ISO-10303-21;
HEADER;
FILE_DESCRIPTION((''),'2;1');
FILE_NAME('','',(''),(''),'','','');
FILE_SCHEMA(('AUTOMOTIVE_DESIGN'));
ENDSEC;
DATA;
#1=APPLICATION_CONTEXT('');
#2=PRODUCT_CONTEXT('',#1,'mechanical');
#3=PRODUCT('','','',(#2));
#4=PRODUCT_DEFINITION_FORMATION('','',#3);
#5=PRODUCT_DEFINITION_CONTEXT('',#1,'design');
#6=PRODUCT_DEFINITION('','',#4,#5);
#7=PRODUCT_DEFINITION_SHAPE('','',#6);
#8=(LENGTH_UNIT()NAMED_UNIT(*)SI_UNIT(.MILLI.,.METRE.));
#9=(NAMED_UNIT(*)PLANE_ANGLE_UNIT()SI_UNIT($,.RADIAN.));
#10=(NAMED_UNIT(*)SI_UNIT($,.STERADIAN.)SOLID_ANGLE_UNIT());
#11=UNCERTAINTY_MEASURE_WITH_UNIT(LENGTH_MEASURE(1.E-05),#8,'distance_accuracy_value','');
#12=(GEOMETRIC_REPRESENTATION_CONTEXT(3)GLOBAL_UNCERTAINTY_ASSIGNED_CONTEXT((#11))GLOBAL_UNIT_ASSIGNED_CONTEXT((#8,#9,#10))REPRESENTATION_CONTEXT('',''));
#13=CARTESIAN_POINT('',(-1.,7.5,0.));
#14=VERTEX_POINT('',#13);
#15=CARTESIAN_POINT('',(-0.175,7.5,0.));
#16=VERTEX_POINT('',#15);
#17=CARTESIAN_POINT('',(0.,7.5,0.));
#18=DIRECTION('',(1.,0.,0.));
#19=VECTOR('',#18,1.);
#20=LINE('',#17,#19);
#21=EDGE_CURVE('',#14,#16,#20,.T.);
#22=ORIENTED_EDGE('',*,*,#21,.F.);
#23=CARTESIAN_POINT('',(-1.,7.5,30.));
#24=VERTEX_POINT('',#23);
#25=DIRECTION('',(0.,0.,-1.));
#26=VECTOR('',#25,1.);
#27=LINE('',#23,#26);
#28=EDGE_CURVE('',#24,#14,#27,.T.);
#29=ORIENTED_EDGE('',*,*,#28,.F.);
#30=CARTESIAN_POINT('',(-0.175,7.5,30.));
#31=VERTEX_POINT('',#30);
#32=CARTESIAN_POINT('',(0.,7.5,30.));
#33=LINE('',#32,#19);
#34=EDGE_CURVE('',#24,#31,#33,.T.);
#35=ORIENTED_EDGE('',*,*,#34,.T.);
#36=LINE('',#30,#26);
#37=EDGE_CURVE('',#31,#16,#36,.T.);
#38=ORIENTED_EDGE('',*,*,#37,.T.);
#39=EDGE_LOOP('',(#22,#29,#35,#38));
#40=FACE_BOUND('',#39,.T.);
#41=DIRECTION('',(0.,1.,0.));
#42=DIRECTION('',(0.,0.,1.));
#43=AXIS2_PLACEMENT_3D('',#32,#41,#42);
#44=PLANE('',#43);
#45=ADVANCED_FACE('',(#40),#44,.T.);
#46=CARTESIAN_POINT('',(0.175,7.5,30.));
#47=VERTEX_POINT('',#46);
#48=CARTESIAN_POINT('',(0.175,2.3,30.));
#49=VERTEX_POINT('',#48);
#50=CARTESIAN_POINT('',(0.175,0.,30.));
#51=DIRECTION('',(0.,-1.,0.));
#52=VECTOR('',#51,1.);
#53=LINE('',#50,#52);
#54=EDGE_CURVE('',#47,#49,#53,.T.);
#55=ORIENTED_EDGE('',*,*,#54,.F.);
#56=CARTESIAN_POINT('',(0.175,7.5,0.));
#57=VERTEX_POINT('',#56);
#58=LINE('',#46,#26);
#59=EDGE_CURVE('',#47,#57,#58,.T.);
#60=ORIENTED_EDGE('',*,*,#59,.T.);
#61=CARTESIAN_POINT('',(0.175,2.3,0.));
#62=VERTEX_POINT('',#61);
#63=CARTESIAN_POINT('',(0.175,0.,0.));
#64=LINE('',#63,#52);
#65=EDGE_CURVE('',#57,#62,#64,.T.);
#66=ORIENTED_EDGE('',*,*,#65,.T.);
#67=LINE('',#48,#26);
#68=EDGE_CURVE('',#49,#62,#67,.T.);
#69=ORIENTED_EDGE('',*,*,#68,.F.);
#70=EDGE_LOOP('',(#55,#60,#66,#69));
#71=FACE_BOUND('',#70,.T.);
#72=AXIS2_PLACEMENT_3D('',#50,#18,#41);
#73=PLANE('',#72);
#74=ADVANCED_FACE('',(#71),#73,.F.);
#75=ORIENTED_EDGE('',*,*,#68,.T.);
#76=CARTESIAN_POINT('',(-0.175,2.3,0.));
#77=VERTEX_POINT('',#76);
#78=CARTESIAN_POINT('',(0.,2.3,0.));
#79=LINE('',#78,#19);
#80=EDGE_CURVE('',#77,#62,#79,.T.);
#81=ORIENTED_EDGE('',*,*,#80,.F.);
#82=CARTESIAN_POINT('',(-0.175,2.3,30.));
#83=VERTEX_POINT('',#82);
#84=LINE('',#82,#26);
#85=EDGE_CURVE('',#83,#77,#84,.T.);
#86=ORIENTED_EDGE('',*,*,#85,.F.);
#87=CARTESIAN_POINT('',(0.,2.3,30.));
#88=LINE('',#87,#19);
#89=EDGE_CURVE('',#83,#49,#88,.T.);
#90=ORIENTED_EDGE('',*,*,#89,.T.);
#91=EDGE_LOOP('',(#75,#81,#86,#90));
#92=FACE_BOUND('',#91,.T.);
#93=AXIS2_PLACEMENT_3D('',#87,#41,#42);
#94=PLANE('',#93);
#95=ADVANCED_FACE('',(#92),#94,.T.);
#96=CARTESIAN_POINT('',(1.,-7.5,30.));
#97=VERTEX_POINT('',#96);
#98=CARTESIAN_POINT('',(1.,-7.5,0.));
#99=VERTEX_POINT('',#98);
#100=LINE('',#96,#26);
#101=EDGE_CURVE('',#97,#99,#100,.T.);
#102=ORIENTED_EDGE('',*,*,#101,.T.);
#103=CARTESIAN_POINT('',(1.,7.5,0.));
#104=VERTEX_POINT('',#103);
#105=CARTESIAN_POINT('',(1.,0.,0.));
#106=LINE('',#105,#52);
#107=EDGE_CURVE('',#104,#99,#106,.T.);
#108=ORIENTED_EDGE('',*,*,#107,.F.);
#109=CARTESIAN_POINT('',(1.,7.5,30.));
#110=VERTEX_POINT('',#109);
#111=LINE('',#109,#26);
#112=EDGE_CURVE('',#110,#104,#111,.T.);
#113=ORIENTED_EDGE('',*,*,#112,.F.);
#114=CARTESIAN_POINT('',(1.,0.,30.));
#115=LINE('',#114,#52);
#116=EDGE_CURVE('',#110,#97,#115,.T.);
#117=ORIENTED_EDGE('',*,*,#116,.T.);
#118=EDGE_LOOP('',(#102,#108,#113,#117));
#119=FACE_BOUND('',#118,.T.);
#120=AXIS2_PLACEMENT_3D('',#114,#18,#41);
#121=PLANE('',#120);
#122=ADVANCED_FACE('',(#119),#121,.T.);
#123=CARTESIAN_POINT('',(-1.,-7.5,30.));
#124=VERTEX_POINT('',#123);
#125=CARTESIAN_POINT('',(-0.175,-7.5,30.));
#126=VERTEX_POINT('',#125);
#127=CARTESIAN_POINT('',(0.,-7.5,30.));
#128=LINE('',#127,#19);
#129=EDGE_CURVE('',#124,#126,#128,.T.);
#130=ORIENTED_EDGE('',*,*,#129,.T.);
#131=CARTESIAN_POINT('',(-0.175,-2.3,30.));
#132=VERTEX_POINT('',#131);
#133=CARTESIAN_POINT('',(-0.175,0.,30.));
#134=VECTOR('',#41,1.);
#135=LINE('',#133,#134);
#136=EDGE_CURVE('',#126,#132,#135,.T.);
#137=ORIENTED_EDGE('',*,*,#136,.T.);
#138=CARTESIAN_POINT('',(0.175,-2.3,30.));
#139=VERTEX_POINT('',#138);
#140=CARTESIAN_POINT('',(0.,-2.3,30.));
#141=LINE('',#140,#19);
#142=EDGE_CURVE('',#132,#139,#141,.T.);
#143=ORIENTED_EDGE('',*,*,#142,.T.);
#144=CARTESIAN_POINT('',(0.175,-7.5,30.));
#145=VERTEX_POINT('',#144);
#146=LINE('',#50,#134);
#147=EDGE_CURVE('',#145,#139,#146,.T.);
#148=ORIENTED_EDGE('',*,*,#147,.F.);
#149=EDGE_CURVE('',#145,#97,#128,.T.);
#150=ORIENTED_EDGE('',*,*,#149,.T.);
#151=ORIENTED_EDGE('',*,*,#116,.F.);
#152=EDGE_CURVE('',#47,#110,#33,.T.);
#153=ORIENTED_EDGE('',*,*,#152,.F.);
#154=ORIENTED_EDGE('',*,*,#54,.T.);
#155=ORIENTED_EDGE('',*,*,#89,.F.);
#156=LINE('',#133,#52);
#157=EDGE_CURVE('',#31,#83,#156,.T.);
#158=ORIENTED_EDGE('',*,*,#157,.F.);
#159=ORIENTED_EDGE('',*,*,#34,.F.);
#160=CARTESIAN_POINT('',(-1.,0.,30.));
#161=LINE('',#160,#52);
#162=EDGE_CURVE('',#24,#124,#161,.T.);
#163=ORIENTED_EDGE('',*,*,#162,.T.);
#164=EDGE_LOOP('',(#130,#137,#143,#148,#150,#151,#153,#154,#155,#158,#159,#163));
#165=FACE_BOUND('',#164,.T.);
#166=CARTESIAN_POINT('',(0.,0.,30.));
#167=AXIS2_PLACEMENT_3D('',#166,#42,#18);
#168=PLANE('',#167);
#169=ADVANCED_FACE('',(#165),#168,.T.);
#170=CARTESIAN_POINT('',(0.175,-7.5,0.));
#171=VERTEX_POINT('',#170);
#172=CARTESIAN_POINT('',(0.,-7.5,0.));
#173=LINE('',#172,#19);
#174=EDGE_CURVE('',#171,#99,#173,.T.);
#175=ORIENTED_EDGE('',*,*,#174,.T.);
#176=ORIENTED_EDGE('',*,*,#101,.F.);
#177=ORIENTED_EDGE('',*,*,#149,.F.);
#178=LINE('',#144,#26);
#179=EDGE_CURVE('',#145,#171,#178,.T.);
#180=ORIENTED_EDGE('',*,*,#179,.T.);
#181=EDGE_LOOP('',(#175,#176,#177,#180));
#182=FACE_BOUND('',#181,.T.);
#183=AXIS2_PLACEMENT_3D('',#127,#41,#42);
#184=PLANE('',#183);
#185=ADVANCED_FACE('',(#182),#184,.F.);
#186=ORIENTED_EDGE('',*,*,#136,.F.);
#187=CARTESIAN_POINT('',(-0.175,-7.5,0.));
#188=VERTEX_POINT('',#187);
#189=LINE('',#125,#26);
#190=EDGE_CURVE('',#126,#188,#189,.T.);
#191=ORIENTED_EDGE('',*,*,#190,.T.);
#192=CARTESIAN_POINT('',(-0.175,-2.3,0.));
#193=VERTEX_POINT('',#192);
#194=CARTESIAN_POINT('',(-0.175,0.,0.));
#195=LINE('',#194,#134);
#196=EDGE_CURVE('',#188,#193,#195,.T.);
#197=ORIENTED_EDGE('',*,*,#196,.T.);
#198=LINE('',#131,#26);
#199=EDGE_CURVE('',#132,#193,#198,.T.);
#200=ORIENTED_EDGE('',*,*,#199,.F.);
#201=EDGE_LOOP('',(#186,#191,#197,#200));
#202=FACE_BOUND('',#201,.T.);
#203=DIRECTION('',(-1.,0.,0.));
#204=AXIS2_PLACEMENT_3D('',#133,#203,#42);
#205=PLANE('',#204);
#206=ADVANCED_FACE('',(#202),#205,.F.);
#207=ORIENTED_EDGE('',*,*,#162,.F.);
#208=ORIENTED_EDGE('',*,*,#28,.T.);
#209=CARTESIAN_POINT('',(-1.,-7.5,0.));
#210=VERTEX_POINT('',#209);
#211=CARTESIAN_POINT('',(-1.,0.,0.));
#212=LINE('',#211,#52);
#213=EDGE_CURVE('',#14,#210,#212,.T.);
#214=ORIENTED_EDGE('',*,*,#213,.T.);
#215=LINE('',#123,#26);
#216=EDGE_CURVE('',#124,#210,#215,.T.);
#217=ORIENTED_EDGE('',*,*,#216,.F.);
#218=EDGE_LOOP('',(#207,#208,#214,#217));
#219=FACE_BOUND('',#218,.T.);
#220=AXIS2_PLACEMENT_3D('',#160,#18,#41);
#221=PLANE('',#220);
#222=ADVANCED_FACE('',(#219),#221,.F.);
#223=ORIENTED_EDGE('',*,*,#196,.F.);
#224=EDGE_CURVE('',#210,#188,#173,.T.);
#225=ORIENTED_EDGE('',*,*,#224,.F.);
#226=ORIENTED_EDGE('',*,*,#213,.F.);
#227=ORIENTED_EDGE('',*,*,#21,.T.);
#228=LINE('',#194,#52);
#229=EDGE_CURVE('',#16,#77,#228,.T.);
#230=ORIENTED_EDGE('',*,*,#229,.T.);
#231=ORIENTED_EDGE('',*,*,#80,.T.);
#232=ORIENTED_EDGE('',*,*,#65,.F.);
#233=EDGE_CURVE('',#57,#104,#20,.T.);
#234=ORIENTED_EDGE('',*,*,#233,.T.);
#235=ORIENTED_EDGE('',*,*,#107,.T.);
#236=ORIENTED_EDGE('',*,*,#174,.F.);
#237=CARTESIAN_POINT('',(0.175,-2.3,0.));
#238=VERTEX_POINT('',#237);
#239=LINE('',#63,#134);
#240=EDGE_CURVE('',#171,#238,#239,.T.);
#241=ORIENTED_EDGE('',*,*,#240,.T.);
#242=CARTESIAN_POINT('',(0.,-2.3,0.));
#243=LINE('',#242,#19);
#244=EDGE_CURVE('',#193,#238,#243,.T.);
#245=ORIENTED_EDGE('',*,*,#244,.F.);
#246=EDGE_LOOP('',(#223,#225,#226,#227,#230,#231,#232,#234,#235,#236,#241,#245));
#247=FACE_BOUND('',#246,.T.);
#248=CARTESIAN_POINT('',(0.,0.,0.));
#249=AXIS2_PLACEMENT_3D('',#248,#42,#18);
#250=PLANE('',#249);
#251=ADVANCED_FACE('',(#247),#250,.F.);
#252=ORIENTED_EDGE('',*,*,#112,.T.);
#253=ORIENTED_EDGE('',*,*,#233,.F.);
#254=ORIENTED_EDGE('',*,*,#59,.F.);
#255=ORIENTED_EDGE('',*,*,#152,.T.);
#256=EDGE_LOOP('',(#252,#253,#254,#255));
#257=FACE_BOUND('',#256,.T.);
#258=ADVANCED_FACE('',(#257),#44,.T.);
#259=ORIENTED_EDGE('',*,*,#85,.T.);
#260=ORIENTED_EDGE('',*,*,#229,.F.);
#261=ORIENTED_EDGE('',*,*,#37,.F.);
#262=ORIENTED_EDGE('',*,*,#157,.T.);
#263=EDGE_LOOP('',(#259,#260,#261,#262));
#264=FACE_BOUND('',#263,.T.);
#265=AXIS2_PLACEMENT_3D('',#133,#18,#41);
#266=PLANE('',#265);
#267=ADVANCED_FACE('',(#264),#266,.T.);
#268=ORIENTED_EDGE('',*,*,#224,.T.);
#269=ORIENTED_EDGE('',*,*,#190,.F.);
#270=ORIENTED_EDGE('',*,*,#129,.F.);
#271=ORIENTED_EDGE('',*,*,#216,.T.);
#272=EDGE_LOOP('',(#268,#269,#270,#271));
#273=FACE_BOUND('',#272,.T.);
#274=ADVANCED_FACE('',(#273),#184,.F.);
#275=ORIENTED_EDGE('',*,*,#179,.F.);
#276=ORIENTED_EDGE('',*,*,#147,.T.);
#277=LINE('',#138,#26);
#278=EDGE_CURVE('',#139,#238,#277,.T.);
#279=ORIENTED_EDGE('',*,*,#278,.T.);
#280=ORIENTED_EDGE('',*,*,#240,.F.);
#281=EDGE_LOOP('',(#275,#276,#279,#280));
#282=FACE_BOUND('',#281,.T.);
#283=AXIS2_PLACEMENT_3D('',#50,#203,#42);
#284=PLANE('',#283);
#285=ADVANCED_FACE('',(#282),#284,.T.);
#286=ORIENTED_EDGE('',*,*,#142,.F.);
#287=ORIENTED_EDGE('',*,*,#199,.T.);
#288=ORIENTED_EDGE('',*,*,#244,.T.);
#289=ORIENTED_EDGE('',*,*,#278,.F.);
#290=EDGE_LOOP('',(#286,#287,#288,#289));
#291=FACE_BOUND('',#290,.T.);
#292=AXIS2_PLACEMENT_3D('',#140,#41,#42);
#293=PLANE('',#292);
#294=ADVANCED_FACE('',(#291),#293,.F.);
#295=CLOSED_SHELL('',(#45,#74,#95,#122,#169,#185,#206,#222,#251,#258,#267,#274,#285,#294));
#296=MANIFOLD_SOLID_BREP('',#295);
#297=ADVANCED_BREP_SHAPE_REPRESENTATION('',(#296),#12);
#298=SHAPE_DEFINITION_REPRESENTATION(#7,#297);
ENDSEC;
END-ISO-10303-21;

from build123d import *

# Parameters (mm, degrees)
BOSS_EXTRUDE1_DEPTH = 30


with BuildPart() as part:
    # Sketch1 → Boss-Extrude1 (new body)
    with BuildSketch(Plane.XY):
        Polygon((-0.175, 7.5), (-1, 7.5), (-1, -7.5), (-0.175, -7.5), (-0.175, -2.3), (0.175, -2.3), (0.175, -7.5), (1, -7.5), (1, 7.5), (0.175, 7.5), (0.175, 2.3), (-0.175, 2.3), align=None)
    extrude(amount=BOSS_EXTRUDE1_DEPTH)


solid = part.part
